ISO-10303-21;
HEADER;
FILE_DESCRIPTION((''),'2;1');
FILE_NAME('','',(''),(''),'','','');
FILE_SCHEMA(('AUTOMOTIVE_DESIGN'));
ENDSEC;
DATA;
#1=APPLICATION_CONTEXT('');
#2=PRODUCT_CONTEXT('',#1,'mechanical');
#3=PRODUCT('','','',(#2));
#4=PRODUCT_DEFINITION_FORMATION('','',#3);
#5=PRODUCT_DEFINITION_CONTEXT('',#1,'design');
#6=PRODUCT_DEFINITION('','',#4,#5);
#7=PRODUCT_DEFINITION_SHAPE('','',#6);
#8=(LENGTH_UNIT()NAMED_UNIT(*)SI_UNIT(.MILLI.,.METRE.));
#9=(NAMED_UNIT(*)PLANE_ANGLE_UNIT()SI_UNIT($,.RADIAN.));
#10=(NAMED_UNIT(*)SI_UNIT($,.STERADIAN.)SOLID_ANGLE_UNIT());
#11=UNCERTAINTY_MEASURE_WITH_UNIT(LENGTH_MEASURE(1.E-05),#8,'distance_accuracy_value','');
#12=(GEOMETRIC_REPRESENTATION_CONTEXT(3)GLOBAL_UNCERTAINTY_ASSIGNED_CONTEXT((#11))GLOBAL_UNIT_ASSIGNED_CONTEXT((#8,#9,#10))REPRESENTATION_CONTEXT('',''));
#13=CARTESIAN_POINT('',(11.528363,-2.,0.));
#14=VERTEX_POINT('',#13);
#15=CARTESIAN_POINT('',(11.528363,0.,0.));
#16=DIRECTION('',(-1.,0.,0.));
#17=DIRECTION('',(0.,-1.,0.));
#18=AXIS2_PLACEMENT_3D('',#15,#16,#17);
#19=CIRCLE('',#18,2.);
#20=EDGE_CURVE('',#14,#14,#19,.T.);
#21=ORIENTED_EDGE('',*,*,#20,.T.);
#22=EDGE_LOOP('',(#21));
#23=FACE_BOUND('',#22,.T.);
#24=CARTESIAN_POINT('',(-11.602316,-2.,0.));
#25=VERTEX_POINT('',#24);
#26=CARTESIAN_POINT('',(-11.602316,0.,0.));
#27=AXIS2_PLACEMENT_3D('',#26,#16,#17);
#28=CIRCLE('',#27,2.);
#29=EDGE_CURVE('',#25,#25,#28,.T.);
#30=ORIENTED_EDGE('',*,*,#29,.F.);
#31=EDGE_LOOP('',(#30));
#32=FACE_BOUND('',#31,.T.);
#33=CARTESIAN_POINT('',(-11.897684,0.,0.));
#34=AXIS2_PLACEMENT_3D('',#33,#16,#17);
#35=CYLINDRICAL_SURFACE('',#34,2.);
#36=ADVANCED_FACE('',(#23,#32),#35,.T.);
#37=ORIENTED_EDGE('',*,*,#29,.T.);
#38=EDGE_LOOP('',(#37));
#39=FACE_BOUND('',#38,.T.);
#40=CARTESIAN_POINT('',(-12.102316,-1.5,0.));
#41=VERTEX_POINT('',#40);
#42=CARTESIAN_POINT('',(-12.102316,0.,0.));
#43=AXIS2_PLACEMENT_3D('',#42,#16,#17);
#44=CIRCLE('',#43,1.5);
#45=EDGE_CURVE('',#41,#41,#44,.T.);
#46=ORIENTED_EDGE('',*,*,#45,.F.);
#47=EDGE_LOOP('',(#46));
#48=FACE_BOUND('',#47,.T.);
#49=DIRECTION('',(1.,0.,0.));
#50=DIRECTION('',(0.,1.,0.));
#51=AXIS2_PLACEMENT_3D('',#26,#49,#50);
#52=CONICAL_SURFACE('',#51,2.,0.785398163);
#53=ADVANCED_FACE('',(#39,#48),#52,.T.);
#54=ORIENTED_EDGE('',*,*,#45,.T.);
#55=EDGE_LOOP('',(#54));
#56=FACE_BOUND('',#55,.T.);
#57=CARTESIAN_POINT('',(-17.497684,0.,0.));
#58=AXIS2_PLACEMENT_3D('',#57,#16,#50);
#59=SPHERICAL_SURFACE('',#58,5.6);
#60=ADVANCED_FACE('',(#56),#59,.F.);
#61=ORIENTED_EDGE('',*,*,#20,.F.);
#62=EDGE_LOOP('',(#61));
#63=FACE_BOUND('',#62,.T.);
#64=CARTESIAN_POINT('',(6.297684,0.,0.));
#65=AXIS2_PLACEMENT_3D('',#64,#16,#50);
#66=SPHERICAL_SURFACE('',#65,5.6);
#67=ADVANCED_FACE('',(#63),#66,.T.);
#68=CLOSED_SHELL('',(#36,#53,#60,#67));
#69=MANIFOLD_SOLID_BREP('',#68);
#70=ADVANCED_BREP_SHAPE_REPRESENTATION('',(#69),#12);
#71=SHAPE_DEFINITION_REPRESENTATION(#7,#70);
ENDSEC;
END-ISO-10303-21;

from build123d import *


with BuildPart() as part:
    # Sketch1 → Revolve1 (revolve)
    with BuildSketch(Plane.XY):
        with BuildLine():
            Line((-12.102315808, 1.5), (-11.602315808, 2))
            Line((-11.602315808, 2), (-6.102315808, 2))
            Line((-6.102315808, 2), (-2.102315808, 2))
            Line((-2.102315808, 2), (11.528362924, 2))
            ThreePointArc((11.528362924, 2), (11.80457991, 1.016906854), (11.897684192, 0))
            Line((11.897684192, 0), (-2.102315808, 0))
            Line((-2.102315808, 0), (-11.897684192, 0))
            ThreePointArc((-11.897684192, 0), (-11.949077928, 0.756946844), (-12.102315808, 1.5))
        make_face()
    revolve(axis=Axis((-11.897684192, 0, 0), (1, 0, 0)))


solid = part.part
